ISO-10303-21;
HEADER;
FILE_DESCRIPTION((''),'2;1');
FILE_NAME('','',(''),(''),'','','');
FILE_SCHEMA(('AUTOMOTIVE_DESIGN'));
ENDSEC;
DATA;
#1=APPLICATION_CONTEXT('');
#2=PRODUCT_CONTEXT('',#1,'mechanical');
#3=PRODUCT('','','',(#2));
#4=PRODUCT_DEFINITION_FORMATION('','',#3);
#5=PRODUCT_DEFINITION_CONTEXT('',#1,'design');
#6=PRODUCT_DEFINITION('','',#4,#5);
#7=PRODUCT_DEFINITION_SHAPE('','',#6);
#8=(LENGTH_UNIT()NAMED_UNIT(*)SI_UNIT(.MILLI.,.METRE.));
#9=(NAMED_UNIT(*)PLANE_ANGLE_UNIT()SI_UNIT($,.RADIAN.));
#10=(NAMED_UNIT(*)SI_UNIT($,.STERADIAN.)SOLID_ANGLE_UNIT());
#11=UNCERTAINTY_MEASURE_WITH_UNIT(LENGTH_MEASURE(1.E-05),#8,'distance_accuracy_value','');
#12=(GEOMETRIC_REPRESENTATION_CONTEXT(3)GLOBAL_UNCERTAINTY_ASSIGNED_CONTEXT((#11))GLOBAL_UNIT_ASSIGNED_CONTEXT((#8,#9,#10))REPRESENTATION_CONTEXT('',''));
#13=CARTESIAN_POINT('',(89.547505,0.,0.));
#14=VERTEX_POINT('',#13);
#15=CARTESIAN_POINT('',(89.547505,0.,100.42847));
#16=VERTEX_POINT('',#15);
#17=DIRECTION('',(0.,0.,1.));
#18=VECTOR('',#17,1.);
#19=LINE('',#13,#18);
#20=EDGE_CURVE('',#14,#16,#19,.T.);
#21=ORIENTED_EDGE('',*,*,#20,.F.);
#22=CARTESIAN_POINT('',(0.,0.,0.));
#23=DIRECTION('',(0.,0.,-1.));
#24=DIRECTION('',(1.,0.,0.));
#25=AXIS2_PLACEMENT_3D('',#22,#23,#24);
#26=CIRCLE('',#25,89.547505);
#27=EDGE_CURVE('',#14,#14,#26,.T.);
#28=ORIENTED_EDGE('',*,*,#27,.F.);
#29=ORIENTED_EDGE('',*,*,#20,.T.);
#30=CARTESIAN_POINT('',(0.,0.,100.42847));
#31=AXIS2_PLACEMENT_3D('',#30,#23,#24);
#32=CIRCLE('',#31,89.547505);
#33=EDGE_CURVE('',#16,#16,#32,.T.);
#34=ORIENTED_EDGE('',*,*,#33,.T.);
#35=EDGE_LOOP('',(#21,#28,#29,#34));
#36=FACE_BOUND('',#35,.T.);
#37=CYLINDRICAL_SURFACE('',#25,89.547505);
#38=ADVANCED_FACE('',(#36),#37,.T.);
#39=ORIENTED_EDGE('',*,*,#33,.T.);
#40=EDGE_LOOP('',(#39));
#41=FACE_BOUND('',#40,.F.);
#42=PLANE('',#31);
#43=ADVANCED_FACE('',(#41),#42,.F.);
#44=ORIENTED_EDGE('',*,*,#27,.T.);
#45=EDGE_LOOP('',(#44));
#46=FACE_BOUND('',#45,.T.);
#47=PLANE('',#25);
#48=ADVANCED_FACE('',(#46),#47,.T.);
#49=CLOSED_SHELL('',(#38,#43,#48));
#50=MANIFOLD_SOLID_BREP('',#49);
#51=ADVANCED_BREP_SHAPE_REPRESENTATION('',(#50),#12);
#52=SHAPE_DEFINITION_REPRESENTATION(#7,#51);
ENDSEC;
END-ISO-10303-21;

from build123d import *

# Parameters (mm, degrees)
F0_R      = 93.952715
F1_DEPTH  = 381
F1_FACE_R = 93.952715
F2_DEPTH  = 76.2
F3_R      = 89.547505
F4_DEPTH  = 100.42847


with BuildPart() as f1:
    # F0 (on Top) → F1 (new body)
    with BuildSketch(Plane.XY):
        Circle(F0_R)
    extrude(amount=F1_DEPTH)

    # F1_face (on face) → F2 (cut)
    with BuildSketch(Plane.XY.offset(381)):
        Circle(F1_FACE_R)
    extrude(amount=-F2_DEPTH, mode=Mode.SUBTRACT)

    # F3 (on face) → F4 (intersect)
    with BuildSketch(Plane(origin=(0, 0, 0), x_dir=(1, 0, 0), z_dir=(0, 0, -1))):
        Circle(F3_R)
    extrude(amount=-F4_DEPTH, mode=Mode.INTERSECT)


solid = f1.part
